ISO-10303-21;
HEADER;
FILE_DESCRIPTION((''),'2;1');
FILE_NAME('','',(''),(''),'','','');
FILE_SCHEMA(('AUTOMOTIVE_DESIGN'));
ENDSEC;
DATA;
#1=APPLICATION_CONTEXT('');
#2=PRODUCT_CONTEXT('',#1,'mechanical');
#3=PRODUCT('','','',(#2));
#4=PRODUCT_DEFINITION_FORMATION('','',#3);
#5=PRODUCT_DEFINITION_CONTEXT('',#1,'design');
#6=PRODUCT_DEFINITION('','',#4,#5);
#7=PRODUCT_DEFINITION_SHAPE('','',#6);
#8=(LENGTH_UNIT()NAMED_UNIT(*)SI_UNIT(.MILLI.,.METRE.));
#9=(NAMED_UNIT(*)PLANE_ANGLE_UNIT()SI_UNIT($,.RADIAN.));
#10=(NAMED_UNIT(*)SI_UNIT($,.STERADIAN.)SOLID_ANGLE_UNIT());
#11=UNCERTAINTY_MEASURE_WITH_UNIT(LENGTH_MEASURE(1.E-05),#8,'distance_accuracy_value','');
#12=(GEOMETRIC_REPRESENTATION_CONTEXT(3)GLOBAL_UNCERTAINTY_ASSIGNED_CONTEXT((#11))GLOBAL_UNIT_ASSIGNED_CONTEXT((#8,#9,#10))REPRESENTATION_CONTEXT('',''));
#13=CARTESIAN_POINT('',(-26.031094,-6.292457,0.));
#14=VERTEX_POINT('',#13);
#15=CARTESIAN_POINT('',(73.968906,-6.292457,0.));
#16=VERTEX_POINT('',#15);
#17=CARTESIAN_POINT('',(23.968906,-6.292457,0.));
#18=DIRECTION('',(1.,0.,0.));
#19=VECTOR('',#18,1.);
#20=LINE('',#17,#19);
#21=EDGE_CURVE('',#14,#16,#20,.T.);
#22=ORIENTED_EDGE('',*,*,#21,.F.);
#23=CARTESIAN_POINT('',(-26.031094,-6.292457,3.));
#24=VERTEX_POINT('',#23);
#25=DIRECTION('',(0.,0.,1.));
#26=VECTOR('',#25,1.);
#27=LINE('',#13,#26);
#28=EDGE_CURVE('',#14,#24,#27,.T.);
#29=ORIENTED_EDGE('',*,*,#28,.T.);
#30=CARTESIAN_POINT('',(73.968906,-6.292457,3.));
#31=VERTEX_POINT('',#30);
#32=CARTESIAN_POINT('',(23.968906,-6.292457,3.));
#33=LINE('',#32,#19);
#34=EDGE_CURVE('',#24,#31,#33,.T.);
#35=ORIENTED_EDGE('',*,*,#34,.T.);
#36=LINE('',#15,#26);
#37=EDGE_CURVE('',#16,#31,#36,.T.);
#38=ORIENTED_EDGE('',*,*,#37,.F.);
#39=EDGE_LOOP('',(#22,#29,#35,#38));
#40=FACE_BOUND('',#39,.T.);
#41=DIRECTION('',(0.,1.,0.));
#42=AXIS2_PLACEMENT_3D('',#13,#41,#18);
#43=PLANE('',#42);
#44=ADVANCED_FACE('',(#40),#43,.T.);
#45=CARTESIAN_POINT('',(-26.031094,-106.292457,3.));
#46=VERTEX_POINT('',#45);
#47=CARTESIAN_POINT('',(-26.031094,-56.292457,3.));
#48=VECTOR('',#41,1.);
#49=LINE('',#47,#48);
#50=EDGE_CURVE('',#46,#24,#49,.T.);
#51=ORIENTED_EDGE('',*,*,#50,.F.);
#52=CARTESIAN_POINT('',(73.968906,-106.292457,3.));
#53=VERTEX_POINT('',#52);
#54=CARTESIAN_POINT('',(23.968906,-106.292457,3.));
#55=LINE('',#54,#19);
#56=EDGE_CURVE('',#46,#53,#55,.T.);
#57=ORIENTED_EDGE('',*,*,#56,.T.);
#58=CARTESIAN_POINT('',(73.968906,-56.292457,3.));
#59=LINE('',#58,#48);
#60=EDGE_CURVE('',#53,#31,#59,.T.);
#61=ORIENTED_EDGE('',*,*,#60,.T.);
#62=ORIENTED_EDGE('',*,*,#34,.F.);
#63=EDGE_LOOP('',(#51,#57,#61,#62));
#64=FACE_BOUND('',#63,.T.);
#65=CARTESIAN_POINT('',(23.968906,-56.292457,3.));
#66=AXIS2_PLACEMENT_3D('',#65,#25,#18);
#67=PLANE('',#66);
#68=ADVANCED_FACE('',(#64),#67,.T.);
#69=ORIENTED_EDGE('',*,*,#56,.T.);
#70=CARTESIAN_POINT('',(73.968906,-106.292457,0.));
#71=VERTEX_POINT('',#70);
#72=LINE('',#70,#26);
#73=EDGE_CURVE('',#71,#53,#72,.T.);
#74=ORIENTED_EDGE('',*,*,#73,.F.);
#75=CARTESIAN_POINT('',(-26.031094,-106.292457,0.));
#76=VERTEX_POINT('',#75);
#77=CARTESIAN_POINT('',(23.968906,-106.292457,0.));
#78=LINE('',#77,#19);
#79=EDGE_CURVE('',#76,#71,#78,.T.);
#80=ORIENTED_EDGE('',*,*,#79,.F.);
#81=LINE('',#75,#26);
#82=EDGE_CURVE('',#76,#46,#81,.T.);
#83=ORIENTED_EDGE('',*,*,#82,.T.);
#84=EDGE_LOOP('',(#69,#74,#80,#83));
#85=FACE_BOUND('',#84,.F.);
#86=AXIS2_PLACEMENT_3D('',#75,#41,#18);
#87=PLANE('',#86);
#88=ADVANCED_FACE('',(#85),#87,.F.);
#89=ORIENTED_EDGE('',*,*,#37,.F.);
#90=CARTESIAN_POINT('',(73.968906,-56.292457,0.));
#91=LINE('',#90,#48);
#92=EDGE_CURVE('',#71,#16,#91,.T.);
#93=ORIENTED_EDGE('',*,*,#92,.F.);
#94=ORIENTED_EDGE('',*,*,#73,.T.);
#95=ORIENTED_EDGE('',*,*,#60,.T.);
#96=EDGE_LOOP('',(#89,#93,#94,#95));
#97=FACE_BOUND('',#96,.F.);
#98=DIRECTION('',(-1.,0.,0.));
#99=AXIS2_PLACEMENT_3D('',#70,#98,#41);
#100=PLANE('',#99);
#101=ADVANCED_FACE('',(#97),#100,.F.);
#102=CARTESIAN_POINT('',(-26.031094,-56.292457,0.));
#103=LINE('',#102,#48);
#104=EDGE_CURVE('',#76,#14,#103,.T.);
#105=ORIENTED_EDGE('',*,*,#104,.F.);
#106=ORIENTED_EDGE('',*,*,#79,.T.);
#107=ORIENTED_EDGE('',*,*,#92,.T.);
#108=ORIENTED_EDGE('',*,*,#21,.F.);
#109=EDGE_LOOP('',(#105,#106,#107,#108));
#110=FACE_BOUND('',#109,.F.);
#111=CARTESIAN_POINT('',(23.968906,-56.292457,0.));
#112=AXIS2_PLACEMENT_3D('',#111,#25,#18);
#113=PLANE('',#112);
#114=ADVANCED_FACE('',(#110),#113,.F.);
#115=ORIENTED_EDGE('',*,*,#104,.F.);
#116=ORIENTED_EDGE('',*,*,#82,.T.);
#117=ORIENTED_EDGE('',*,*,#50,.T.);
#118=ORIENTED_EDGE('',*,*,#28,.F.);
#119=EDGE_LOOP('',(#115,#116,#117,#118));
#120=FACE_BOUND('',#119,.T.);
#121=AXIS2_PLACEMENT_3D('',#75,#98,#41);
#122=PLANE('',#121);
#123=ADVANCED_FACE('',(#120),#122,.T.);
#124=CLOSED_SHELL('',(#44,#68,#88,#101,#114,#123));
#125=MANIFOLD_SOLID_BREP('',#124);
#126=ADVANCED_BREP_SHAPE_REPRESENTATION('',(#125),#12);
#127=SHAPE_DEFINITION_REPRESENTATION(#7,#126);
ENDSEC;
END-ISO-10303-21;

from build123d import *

# Parameters (mm, degrees)
SKETCH2_W           = 100
SKETCH2_H           = 100
BOSS_EXTRUDE1_DEPTH = 3


with BuildPart() as part:
    # Sketch2 → Boss-Extrude1 (new body)
    with BuildSketch(Plane.XY):
        with Locations((23.968906076, -56.292457263)):
            Rectangle(SKETCH2_W, SKETCH2_H)
    extrude(amount=BOSS_EXTRUDE1_DEPTH)


solid = part.part
